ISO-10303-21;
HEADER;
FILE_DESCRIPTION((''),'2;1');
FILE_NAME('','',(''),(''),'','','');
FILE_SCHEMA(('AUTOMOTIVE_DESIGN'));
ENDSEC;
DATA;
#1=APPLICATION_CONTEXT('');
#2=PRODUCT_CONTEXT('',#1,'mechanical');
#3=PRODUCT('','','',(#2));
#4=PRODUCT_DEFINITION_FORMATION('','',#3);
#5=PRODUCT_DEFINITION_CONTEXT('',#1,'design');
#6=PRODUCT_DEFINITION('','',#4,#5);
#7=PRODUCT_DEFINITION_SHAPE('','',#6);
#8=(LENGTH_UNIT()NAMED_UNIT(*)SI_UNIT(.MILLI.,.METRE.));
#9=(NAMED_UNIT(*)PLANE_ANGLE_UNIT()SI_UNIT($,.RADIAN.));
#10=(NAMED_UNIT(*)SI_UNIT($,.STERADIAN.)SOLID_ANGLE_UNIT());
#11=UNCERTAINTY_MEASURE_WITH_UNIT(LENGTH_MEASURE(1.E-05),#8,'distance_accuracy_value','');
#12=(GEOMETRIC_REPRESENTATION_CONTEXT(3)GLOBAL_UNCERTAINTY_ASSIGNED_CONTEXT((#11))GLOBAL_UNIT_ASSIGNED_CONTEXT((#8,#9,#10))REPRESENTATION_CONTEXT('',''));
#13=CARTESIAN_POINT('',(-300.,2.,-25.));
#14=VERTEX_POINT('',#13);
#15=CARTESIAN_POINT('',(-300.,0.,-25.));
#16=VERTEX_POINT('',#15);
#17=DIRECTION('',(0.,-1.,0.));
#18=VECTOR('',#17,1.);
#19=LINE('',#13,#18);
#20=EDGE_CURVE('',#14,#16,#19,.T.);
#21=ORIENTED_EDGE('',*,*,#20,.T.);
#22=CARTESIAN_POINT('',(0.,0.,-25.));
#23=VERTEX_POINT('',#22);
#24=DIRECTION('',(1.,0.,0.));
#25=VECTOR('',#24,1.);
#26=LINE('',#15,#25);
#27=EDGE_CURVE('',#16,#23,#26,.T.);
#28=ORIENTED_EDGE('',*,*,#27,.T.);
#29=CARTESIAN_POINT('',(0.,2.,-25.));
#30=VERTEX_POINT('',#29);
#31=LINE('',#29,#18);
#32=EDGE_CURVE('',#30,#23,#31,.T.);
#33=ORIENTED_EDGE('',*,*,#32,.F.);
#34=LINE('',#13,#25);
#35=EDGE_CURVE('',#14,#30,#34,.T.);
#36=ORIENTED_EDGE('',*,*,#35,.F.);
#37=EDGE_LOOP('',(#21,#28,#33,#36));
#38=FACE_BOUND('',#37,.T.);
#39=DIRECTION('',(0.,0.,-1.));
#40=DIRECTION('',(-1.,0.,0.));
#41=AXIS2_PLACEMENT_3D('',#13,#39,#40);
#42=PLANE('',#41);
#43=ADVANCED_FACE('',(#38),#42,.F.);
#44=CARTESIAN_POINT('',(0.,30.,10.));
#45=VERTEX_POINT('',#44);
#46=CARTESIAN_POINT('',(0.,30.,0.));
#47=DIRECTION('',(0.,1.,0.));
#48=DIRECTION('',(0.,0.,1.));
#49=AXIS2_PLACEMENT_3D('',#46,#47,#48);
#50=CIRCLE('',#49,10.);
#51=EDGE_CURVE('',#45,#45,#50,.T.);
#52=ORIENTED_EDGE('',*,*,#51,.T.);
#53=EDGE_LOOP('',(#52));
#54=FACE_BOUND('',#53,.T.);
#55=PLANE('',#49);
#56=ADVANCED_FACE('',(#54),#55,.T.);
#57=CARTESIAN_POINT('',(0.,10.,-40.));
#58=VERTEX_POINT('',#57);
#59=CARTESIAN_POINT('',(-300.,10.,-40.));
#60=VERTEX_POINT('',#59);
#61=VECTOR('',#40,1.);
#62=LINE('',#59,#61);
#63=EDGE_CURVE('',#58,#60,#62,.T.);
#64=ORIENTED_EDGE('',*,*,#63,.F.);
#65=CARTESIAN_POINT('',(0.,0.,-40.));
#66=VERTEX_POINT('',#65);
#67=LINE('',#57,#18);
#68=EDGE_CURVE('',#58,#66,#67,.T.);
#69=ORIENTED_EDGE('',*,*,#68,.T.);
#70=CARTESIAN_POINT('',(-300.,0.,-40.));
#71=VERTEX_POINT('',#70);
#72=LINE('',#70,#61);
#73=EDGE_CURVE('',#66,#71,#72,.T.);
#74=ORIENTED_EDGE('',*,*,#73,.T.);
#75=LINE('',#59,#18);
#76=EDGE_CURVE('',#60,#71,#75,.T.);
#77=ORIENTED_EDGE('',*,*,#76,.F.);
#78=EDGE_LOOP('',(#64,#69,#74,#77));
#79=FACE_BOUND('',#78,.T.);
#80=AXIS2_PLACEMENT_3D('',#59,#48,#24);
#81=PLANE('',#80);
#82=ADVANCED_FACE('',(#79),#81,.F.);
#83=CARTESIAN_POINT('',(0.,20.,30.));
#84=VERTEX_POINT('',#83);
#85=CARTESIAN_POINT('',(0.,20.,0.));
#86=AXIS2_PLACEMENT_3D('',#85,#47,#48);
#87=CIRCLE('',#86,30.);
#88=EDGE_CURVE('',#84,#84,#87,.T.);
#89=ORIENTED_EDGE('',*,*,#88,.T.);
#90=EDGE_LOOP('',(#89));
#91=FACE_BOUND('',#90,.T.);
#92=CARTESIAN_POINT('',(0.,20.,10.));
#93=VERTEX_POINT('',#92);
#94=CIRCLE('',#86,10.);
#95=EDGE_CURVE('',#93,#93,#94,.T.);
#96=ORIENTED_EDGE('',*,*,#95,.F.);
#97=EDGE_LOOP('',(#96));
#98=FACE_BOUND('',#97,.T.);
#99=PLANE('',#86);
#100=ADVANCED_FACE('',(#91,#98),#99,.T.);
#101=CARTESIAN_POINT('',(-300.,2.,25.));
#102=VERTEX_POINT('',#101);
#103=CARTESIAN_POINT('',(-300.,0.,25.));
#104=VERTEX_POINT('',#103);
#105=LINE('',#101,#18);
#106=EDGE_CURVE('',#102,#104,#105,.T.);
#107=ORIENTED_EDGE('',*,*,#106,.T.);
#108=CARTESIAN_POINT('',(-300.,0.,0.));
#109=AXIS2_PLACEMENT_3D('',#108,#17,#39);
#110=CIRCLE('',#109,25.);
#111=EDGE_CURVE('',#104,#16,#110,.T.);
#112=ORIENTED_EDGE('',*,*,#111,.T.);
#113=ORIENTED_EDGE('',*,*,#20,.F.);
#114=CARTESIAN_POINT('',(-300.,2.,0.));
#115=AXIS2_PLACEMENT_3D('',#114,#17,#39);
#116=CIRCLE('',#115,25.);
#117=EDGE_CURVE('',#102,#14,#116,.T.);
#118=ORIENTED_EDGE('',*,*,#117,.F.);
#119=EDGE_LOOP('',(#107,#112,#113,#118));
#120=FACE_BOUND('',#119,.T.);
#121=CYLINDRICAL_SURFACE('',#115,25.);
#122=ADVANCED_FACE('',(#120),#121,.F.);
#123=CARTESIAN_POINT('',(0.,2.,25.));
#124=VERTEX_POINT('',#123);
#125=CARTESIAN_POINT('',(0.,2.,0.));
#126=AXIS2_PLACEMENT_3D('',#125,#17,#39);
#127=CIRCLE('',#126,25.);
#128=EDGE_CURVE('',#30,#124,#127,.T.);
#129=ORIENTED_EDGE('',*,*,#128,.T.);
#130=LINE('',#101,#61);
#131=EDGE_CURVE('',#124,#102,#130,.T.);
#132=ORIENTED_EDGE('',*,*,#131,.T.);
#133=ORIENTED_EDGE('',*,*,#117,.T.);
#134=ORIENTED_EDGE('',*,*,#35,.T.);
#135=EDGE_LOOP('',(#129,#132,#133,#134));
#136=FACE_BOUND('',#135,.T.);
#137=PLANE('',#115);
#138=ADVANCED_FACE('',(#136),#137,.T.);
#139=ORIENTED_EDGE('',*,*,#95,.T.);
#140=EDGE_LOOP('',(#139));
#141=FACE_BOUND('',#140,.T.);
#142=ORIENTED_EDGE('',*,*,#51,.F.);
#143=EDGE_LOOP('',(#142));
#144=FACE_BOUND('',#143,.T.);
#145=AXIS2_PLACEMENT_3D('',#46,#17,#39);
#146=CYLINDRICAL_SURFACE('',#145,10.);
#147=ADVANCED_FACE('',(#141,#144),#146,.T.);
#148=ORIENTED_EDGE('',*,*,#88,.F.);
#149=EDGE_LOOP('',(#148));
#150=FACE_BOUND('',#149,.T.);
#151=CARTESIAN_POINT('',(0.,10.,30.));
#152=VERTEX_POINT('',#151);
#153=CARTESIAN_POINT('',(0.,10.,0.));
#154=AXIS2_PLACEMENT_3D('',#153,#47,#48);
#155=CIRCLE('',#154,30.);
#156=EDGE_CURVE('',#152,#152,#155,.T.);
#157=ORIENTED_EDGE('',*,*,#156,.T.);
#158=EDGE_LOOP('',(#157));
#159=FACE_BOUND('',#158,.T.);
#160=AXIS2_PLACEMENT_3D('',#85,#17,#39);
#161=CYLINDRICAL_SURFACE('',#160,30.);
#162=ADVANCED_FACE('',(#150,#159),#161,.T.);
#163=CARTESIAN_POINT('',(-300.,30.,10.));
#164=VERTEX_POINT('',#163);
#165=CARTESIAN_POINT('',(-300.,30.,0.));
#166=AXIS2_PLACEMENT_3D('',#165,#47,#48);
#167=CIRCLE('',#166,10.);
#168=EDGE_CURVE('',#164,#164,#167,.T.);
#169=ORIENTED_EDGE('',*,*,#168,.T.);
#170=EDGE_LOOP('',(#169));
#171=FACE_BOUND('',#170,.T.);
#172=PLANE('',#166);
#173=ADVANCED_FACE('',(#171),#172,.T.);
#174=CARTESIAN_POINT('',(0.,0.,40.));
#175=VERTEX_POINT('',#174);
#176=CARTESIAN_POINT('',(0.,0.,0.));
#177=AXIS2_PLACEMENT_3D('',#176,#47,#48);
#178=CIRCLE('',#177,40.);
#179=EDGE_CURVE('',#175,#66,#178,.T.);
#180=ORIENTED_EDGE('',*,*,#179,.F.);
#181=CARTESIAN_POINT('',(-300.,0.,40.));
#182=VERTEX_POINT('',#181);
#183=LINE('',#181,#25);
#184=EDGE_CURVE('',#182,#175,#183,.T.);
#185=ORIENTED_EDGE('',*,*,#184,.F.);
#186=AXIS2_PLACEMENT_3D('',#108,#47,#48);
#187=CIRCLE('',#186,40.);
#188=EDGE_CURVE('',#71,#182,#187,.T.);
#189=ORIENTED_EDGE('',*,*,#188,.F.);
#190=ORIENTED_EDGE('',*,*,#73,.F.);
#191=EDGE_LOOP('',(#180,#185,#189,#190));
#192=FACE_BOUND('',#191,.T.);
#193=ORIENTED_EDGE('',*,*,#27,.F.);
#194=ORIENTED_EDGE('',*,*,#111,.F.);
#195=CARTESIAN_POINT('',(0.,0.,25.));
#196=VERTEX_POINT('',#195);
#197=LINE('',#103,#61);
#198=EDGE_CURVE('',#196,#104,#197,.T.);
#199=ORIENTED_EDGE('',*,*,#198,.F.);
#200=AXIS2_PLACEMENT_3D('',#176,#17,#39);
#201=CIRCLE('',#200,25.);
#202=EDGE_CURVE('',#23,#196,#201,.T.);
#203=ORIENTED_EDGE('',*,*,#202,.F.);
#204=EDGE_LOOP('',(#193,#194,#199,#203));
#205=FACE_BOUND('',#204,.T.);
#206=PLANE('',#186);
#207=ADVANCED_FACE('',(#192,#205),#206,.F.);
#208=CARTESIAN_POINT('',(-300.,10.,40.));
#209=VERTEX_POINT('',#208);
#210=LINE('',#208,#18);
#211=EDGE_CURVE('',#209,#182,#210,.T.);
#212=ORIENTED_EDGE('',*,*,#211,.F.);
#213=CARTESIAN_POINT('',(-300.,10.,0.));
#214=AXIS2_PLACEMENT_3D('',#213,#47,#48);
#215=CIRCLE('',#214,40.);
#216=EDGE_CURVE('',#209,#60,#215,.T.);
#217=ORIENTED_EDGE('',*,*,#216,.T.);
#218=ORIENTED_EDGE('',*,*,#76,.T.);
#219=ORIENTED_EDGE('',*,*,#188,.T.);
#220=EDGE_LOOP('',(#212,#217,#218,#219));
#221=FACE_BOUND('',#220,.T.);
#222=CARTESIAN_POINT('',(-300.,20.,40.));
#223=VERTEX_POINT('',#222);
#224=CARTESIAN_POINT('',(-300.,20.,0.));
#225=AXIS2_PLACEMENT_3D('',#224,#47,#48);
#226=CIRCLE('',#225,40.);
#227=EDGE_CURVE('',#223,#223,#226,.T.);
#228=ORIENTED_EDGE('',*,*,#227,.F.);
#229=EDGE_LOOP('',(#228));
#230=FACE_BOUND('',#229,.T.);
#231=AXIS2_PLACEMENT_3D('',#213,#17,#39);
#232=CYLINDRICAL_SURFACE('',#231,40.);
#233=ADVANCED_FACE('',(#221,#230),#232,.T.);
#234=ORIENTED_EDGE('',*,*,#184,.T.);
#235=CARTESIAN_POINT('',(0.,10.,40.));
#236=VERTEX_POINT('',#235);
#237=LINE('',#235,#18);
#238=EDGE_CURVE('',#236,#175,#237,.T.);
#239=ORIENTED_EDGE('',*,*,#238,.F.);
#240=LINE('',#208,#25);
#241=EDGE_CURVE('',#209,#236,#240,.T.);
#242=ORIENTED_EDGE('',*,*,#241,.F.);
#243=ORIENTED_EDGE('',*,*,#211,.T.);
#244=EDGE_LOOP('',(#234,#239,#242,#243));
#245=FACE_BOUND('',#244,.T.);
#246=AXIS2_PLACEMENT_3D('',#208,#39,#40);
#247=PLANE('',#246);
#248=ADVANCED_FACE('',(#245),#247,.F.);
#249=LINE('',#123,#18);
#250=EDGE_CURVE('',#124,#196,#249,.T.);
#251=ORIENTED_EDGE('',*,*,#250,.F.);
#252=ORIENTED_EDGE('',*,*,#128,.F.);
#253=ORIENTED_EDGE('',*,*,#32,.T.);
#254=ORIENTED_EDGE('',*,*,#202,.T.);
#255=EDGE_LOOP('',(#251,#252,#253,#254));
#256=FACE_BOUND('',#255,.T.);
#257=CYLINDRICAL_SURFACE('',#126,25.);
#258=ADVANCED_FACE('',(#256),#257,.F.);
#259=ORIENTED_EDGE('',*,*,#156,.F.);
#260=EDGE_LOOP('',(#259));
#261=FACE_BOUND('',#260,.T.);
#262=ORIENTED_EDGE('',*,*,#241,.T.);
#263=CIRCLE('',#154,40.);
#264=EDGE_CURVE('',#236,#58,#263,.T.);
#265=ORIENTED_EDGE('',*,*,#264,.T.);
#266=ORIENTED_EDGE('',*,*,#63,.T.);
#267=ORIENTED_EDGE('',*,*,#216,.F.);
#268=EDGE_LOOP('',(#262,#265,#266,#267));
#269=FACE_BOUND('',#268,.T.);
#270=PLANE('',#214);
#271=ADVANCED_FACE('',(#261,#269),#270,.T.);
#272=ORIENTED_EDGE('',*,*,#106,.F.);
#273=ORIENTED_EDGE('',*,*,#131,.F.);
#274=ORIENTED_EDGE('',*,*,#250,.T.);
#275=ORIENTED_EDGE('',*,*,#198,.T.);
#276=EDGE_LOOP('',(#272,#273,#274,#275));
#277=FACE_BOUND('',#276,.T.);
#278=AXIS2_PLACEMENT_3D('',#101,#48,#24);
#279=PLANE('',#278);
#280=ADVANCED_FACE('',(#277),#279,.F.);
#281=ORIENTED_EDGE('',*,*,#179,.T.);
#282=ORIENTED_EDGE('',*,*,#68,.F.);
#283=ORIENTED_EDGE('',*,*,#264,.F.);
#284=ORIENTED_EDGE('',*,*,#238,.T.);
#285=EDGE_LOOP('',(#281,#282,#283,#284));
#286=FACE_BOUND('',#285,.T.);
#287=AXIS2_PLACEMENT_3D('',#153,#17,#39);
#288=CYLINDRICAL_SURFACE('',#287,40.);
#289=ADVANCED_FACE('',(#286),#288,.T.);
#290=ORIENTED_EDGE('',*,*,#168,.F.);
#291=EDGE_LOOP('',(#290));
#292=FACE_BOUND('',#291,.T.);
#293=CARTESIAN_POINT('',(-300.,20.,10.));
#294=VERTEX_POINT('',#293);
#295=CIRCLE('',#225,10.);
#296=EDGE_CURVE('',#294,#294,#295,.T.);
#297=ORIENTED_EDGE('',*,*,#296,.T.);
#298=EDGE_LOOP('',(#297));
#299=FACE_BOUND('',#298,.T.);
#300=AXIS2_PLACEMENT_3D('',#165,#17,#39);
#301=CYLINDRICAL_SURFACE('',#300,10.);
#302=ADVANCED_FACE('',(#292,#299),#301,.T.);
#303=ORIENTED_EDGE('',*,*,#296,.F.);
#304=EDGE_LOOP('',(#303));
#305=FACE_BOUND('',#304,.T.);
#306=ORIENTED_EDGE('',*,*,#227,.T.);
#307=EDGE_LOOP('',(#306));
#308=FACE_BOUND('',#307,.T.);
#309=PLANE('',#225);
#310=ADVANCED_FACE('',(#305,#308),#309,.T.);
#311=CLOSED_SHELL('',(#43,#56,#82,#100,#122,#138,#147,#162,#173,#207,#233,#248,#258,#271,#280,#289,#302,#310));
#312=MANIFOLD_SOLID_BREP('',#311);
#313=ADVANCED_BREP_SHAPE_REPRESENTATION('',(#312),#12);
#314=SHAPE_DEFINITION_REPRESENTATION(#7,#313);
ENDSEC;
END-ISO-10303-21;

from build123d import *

# Parameters (mm, degrees)
BOSS_EXTRUDE1_DEPTH = 10
SKETCH2_R           = 40
SKETCH2_R_2         = 30
BOSS_EXTRUDE2_DEPTH = 10
SKETCH3_R           = 10
BOSS_EXTRUDE3_DEPTH = 10
CUT_EXTRUDE1_DEPTH  = 2


with BuildPart() as part:
    # Sketch1 → Boss-Extrude1 (new body)
    with BuildSketch(Plane(origin=(0, 0, 0), x_dir=(1, 0, 0), z_dir=(0, 1, 0))):
        with BuildLine():
            Line((-300, 40), (0, 40))
            ThreePointArc((0, 40), (40, 0), (0, -40))
            Line((0, -40), (-300, -40))
            ThreePointArc((-300, -40), (-340, 0), (-300, 40))
        make_face()
    extrude(amount=BOSS_EXTRUDE1_DEPTH)

    # Sketch2 → Boss-Extrude2 (add)
    with BuildSketch(Plane(origin=(0, 10, 0), x_dir=(1, 0, 0), z_dir=(0, 1, 0))):
        with Locations(Location((-300, 0, 0), (0, 0, 270))):
            Circle(SKETCH2_R)
        with Locations(Location((0, 0, 0), (0, 0, 270))):
            Circle(SKETCH2_R_2)
    extrude(amount=BOSS_EXTRUDE2_DEPTH)

    # Sketch3 → Boss-Extrude3 (add)
    with BuildSketch(Plane(origin=(0, 20, 0), x_dir=(1, 0, 0), z_dir=(0, 1, 0))):
        with Locations(Location((0, 0, 0), (0, 0, 270))):
            Circle(SKETCH3_R)
        with Locations(Location((-300, 0, 0), (0, 0, 270))):
            Circle(SKETCH3_R)
    extrude(amount=BOSS_EXTRUDE3_DEPTH)

    # Sketch5 → Cut-Extrude1 (cut)
    with BuildSketch(Plane.XZ):
        with BuildLine():
            Line((-300, 25), (0, 25))
            ThreePointArc((0, 25), (25, 0), (0, -25))
            Line((0, -25), (-300, -25))
            ThreePointArc((-300, -25), (-325, 0), (-300, 25))
        make_face()
    extrude(amount=-CUT_EXTRUDE1_DEPTH, mode=Mode.SUBTRACT)


solid = part.part
